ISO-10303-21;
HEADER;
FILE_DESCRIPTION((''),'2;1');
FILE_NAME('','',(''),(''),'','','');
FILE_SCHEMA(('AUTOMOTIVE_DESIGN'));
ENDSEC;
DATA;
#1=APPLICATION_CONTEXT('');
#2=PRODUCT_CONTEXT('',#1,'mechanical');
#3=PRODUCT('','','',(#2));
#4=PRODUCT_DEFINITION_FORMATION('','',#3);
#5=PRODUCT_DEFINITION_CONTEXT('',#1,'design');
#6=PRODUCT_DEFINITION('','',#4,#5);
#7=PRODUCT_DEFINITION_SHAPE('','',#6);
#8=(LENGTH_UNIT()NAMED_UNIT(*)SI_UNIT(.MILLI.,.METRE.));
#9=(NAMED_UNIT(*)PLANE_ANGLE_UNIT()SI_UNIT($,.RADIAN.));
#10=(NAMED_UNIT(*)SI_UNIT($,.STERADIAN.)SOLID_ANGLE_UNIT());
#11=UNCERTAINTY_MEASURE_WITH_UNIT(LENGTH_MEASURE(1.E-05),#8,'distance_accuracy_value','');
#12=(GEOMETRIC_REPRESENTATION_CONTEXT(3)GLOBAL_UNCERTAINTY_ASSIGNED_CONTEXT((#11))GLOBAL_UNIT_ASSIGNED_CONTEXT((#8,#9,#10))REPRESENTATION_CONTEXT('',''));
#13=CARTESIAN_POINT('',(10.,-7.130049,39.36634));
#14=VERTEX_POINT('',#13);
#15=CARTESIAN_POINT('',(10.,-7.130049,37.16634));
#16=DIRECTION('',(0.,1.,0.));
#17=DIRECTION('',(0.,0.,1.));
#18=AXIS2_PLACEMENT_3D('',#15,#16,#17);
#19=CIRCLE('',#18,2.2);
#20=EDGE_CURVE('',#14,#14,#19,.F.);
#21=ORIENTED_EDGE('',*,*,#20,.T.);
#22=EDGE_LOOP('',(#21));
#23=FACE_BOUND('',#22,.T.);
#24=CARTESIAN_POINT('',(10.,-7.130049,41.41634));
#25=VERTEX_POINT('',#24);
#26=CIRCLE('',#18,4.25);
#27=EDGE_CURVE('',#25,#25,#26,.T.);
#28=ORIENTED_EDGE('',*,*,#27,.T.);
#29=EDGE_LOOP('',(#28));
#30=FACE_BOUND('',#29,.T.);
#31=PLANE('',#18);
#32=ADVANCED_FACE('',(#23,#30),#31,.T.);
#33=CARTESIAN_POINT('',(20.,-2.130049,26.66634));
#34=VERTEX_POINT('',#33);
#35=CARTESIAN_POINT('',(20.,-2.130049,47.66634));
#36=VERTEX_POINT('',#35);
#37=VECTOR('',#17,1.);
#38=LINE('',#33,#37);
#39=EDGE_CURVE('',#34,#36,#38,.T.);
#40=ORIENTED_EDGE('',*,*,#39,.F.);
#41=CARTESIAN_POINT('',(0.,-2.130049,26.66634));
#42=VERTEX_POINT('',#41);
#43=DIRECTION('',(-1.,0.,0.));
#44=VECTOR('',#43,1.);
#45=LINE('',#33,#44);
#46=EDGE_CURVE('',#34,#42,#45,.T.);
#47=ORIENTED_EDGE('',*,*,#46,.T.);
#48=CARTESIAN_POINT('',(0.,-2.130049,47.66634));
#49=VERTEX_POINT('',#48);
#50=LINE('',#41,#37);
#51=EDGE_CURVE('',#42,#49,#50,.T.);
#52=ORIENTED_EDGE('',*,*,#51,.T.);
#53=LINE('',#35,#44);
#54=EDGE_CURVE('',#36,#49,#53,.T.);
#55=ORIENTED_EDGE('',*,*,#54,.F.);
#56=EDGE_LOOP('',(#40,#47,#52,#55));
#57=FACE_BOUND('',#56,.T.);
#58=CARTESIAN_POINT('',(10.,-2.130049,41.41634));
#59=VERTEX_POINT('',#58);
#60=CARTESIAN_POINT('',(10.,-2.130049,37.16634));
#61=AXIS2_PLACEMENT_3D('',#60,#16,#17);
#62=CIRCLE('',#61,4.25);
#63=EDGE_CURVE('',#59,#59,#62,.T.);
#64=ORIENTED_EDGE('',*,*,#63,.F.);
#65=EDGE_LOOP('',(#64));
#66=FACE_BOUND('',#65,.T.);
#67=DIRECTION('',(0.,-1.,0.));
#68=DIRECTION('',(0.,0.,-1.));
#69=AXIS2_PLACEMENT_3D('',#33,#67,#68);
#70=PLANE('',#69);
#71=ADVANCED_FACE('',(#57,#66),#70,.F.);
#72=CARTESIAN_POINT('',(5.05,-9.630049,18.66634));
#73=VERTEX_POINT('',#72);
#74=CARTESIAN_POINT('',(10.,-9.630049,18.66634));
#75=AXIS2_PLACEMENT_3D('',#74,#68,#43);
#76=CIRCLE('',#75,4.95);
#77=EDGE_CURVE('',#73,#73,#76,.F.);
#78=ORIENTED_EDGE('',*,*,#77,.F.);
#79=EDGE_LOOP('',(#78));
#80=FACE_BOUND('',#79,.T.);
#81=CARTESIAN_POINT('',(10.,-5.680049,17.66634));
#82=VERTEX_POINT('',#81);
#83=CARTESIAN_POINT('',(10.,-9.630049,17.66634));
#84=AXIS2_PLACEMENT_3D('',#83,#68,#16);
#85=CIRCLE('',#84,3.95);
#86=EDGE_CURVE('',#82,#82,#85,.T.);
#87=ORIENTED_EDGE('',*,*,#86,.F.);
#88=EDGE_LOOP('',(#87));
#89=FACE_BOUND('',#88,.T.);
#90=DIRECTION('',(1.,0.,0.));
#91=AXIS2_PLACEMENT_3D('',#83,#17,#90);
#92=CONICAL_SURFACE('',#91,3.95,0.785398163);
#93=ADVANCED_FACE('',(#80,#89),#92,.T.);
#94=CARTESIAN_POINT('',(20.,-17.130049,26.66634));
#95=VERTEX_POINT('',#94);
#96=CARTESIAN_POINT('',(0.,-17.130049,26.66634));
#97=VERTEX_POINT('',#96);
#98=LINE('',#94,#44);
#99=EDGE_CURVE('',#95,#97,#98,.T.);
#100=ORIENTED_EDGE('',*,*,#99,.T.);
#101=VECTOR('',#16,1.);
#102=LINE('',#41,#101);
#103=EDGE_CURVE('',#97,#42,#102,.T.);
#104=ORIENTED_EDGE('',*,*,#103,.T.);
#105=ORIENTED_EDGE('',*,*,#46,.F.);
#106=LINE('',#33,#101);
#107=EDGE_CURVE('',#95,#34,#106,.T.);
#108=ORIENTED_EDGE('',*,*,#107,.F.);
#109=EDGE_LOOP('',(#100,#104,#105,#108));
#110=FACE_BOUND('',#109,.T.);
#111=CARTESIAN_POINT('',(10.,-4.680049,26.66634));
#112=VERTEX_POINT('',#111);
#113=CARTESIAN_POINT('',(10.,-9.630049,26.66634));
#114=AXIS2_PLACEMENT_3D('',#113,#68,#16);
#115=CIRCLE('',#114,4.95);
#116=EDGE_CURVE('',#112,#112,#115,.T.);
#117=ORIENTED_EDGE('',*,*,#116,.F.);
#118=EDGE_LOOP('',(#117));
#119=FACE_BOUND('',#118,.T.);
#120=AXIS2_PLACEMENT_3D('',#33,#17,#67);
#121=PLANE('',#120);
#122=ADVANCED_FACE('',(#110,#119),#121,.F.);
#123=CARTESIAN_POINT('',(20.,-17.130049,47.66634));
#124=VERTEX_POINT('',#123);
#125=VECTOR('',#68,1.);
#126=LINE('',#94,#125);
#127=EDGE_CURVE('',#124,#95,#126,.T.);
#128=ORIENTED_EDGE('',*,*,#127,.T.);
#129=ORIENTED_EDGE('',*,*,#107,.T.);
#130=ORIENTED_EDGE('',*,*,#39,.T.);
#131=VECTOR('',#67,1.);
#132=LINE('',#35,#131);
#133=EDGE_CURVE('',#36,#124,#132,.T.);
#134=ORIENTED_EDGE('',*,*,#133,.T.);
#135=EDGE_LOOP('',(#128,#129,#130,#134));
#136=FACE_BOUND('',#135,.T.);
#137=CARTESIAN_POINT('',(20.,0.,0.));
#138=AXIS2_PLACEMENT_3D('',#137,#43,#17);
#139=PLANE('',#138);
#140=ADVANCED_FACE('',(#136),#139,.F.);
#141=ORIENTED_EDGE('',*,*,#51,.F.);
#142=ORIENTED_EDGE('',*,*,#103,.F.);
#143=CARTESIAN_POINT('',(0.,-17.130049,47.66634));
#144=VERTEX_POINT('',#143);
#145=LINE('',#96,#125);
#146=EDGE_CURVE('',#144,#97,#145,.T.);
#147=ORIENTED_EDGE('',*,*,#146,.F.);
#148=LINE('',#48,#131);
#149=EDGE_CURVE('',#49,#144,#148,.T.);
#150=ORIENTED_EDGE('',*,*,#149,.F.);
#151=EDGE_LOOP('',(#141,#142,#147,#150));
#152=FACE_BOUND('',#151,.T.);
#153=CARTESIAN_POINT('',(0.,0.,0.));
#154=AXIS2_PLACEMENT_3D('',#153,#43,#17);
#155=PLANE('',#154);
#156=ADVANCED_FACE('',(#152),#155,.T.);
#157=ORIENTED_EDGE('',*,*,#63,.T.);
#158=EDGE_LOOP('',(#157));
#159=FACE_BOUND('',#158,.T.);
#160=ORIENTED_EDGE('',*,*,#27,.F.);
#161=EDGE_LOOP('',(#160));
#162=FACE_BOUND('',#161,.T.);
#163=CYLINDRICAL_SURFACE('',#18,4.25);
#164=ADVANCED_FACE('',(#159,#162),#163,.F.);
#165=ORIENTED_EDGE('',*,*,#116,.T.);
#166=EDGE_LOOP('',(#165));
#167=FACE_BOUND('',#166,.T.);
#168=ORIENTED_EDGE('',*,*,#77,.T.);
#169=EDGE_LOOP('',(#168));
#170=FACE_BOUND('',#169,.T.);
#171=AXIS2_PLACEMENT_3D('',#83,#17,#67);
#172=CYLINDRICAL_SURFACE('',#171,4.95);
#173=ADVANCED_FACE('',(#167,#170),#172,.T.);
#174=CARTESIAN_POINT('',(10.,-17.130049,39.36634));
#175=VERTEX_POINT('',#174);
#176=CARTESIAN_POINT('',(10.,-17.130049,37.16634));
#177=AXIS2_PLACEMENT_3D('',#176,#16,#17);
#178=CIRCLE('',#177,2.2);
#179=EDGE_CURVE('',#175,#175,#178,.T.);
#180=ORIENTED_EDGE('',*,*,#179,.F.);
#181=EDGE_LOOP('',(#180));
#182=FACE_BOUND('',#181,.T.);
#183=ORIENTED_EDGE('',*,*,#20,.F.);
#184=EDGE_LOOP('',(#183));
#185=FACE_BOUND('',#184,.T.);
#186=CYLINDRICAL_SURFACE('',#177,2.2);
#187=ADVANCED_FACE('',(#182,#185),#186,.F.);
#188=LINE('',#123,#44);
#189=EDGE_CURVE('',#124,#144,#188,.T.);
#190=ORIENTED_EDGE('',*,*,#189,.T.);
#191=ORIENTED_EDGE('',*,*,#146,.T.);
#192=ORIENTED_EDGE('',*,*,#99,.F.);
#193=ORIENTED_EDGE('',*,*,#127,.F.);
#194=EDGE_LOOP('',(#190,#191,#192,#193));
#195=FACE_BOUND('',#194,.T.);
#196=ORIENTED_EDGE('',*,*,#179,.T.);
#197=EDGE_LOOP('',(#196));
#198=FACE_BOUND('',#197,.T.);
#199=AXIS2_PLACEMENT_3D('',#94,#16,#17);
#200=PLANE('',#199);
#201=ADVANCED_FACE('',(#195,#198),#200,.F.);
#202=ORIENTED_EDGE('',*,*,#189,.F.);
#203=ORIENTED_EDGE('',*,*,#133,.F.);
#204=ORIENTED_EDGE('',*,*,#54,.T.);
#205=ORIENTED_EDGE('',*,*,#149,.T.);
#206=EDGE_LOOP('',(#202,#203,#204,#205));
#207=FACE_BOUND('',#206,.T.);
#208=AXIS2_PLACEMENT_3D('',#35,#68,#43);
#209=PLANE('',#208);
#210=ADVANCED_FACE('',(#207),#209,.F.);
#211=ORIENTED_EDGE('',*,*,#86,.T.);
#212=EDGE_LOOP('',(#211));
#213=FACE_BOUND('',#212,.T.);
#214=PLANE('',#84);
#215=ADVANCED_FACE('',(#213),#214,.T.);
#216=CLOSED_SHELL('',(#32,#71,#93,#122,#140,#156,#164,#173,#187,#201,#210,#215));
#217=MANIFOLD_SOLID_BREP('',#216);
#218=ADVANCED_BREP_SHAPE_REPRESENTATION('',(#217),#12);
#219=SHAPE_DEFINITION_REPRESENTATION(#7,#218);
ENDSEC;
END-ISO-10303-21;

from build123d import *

# Parameters (mm, degrees)
SKETCH1_W           = 21
SKETCH1_H           = 15
BOSS_EXTRUDE1_DEPTH = 20
SKETCH2_R           = 4.95
BOSS_EXTRUDE2_DEPTH = 9
CHAMFER1_SIZE       = 1
SKETCH3_R           = 2.2
CUT_EXTRUDE1_DEPTH  = 54.824529308
SKETCH4_R           = 4.25
CUT_EXTRUDE2_DEPTH  = 5


with BuildPart() as part:
    # Sketch1 → Boss-Extrude1 (new body)
    with BuildSketch(Plane(origin=(0, 0, 0), x_dir=(0, 0, -1), z_dir=(1, 0, 0))):
        with Locations((-37.166339855, -9.630048879)):
            Rectangle(SKETCH1_W, SKETCH1_H)
    extrude(amount=BOSS_EXTRUDE1_DEPTH)

    # Sketch2 → Boss-Extrude2 (add)
    with BuildSketch(Plane(origin=(0, 0, 26.666339855), x_dir=(-1, 0, 0), z_dir=(0, 0, -1))):
        with Locations(Location((-10, -9.630048879, 0), (0, 0, 90))):
            Circle(SKETCH2_R)
    extrude(amount=BOSS_EXTRUDE2_DEPTH)

    # Chamfer1
    chamfer1_edges = [part.edges().sort_by_distance(p)[0] for p in [
        (10, -14.580048879, 17.666339855),
    ]]
    chamfer(chamfer1_edges, length=CHAMFER1_SIZE)

    # Sketch3 → Cut-Extrude1 (cut, through all)
    with BuildSketch(Plane(origin=(0, -2.130048879, 0), x_dir=(1, 0, 0), z_dir=(0, 1, 0))):
        with Locations(Location((10, -37.166339855, 0), (0, 0, 270))):
            Circle(SKETCH3_R)
    extrude(amount=-CUT_EXTRUDE1_DEPTH, mode=Mode.SUBTRACT)

    # Sketch4 → Cut-Extrude2 (cut)
    with BuildSketch(Plane(origin=(0, -2.130048879, 0), x_dir=(1, 0, 0), z_dir=(0, 1, 0))):
        with Locations(Location((10, -37.166339855, 0), (0, 0, 270))):
            Circle(SKETCH4_R)
    extrude(amount=-CUT_EXTRUDE2_DEPTH, mode=Mode.SUBTRACT)


solid = part.part
